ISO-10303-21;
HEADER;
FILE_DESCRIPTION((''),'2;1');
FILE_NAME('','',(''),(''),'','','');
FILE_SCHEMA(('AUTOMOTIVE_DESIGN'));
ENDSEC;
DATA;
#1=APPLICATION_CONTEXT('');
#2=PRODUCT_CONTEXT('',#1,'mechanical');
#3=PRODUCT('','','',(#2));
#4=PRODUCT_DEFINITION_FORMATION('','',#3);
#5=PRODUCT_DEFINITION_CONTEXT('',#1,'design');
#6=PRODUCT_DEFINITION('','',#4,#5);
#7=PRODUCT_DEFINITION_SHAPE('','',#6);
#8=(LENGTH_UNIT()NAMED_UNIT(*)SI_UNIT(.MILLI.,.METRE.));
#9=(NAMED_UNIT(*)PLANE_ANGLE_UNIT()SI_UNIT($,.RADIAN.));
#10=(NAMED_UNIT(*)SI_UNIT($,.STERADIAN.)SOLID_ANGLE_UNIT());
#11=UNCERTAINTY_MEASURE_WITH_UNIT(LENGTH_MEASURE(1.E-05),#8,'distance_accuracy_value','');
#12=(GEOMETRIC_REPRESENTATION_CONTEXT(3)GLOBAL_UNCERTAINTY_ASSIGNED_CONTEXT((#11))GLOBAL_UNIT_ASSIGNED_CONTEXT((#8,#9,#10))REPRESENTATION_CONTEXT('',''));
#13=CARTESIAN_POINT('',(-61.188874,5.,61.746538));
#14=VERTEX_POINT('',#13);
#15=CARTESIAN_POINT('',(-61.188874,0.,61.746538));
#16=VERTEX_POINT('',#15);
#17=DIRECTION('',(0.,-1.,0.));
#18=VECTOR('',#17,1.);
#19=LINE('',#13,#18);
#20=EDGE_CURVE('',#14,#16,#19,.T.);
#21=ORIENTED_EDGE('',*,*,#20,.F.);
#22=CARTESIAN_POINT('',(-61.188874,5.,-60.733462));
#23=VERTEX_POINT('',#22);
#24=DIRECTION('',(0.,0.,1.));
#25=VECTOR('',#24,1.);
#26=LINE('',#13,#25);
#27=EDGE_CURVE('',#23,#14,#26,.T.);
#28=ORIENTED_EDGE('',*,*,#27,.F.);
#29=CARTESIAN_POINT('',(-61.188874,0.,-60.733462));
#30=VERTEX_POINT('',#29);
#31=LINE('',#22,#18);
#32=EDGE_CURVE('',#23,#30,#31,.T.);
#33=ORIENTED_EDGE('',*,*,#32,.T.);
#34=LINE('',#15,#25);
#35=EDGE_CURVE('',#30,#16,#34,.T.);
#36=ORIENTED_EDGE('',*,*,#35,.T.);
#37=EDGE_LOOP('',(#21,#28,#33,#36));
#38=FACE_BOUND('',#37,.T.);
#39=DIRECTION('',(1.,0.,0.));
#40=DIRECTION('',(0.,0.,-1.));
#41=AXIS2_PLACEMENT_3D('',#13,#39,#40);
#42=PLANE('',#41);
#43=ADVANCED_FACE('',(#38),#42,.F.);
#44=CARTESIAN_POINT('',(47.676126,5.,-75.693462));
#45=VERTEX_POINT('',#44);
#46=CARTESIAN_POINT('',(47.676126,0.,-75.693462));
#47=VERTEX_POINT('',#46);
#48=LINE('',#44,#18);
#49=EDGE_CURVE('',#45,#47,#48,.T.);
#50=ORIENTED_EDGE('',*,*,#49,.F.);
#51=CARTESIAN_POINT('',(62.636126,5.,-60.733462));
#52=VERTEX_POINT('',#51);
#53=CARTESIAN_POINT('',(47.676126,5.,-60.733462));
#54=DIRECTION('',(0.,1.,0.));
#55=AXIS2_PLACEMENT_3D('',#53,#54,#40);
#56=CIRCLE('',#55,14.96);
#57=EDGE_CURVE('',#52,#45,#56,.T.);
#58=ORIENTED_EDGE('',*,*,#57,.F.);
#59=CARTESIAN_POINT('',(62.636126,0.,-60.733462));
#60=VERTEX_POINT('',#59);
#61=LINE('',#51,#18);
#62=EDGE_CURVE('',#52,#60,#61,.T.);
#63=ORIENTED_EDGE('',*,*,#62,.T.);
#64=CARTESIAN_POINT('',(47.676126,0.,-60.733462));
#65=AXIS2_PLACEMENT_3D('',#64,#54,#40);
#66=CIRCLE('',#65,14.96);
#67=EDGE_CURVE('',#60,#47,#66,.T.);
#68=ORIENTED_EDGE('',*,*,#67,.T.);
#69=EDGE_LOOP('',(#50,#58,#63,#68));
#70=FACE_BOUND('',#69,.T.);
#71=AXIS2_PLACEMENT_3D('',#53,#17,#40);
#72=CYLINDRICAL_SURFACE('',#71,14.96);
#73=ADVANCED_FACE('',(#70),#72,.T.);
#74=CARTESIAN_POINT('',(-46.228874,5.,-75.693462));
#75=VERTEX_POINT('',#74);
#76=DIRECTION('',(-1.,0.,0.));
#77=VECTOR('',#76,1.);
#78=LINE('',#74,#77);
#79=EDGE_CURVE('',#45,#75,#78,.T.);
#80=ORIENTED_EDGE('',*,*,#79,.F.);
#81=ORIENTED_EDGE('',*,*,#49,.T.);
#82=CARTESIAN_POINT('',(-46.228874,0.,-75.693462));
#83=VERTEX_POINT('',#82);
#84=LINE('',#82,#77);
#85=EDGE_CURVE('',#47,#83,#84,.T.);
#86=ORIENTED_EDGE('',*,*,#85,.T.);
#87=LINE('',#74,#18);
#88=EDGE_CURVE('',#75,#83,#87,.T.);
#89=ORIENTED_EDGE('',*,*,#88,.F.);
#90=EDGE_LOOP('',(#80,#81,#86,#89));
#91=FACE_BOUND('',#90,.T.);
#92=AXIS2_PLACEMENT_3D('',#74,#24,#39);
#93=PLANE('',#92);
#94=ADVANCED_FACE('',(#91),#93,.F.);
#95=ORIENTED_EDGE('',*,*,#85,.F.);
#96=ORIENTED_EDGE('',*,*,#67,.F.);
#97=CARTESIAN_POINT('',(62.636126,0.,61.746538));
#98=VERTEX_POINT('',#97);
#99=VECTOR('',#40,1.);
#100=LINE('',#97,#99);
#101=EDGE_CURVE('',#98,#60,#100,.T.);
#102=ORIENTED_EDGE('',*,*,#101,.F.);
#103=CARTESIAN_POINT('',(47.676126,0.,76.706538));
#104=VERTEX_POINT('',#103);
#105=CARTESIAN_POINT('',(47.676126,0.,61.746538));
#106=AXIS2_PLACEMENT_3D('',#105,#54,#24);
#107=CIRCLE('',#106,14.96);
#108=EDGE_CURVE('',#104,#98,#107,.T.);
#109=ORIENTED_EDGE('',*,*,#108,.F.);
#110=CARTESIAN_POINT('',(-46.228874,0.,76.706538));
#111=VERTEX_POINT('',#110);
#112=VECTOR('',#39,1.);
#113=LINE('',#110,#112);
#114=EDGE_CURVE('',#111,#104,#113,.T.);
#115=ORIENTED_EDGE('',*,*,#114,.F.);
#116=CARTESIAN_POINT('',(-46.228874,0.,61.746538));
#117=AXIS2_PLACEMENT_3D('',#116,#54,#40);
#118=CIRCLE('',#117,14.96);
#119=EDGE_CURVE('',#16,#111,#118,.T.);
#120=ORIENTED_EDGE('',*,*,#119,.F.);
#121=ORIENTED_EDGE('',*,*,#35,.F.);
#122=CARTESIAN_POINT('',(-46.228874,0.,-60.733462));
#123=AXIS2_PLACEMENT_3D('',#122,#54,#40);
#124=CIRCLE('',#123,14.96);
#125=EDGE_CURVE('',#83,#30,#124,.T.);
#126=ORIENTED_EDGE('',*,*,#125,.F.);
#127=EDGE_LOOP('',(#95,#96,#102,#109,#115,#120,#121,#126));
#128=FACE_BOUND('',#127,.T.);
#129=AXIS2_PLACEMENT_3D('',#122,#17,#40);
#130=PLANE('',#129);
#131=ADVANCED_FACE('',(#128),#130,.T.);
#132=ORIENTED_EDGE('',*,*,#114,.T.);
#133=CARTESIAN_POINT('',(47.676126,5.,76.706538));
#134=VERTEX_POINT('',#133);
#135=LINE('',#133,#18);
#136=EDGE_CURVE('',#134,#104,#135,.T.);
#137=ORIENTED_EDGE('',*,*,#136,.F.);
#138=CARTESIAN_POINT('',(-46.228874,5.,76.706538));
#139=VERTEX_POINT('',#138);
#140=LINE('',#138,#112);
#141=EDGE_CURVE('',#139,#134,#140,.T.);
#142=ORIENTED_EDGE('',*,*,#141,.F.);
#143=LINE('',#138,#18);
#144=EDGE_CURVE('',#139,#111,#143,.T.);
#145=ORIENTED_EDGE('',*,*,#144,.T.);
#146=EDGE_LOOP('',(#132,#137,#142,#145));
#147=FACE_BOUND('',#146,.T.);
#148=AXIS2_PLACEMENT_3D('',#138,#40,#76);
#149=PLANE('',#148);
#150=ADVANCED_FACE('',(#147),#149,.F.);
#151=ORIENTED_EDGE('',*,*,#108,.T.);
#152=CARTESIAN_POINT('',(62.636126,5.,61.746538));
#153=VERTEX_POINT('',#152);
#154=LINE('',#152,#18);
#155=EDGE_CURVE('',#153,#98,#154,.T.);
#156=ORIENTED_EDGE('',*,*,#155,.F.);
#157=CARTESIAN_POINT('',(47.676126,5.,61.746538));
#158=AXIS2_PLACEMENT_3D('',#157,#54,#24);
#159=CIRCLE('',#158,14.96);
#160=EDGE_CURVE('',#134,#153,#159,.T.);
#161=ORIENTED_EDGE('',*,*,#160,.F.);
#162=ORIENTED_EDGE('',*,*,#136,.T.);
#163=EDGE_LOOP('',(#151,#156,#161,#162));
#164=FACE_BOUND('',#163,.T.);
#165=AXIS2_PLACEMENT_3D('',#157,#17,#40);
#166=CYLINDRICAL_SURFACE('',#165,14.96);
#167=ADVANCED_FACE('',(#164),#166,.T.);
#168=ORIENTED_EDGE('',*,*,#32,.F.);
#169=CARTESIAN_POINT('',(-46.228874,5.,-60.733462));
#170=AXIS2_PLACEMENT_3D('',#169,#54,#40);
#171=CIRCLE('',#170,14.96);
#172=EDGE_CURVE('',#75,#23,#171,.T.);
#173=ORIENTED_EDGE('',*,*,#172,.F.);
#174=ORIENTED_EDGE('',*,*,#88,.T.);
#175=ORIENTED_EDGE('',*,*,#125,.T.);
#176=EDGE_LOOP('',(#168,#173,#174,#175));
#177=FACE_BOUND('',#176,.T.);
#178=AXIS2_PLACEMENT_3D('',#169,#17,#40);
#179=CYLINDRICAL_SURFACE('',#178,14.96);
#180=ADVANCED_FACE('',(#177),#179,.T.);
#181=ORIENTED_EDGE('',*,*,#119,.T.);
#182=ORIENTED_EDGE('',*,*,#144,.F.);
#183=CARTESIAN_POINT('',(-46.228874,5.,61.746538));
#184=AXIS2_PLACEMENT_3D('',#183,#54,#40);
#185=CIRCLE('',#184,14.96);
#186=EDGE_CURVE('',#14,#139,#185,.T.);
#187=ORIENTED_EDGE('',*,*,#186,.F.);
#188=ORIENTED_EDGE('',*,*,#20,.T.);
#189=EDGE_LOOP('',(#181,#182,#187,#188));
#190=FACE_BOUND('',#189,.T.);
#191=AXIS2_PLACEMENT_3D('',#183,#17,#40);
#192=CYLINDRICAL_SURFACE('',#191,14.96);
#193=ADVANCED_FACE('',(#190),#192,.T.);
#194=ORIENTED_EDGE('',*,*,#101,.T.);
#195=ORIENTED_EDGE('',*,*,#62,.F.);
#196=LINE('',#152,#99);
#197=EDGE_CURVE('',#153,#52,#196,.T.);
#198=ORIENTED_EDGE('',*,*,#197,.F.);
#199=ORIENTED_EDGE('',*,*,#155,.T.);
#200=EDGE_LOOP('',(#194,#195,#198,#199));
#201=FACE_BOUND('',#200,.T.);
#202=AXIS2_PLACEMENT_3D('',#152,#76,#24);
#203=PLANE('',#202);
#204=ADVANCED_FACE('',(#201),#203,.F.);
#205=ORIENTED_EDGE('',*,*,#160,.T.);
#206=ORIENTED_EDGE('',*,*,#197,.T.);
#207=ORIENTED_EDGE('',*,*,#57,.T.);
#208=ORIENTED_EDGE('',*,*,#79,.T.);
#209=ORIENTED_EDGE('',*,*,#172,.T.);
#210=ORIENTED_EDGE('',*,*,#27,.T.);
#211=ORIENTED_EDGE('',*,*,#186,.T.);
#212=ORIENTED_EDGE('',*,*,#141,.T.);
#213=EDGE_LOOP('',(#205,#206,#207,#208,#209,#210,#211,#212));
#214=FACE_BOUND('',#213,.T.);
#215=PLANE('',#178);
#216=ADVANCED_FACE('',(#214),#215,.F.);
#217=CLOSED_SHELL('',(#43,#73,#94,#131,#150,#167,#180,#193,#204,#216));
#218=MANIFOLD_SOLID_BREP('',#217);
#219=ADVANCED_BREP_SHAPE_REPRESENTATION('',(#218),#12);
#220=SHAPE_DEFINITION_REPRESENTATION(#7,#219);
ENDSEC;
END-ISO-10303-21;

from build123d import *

# Parameters (mm, degrees)
BOSS_EXTRUDE1_DEPTH = 5


with BuildPart() as part:
    # Sketch2 → Boss-Extrude1 (new body)
    with BuildSketch(Plane(origin=(0, 0, 0), x_dir=(1, 0, 0), z_dir=(0, 1, 0))):
        with BuildLine():
            Line((-46.228873646, -76.706538448), (47.676126354, -76.706538448))
            ThreePointArc((47.676126354, -76.706538448), (58.2544438, -72.324855894), (62.636126354, -61.746538448))
            Line((62.636126354, -61.746538448), (62.636126354, 60.733461552))
            ThreePointArc((62.636126354, 60.733461552), (58.2544438, 71.311778999), (47.676126354, 75.693461552))
            Line((47.676126354, 75.693461552), (-46.228873646, 75.693461552))
            ThreePointArc((-46.228873646, 75.693461552), (-56.807191093, 71.311778999), (-61.188873646, 60.733461552))
            Line((-61.188873646, 60.733461552), (-61.188873646, -61.746538448))
            ThreePointArc((-61.188873646, -61.746538448), (-56.807191093, -72.324855894), (-46.228873646, -76.706538448))
        make_face()
    extrude(amount=BOSS_EXTRUDE1_DEPTH)


solid = part.part
